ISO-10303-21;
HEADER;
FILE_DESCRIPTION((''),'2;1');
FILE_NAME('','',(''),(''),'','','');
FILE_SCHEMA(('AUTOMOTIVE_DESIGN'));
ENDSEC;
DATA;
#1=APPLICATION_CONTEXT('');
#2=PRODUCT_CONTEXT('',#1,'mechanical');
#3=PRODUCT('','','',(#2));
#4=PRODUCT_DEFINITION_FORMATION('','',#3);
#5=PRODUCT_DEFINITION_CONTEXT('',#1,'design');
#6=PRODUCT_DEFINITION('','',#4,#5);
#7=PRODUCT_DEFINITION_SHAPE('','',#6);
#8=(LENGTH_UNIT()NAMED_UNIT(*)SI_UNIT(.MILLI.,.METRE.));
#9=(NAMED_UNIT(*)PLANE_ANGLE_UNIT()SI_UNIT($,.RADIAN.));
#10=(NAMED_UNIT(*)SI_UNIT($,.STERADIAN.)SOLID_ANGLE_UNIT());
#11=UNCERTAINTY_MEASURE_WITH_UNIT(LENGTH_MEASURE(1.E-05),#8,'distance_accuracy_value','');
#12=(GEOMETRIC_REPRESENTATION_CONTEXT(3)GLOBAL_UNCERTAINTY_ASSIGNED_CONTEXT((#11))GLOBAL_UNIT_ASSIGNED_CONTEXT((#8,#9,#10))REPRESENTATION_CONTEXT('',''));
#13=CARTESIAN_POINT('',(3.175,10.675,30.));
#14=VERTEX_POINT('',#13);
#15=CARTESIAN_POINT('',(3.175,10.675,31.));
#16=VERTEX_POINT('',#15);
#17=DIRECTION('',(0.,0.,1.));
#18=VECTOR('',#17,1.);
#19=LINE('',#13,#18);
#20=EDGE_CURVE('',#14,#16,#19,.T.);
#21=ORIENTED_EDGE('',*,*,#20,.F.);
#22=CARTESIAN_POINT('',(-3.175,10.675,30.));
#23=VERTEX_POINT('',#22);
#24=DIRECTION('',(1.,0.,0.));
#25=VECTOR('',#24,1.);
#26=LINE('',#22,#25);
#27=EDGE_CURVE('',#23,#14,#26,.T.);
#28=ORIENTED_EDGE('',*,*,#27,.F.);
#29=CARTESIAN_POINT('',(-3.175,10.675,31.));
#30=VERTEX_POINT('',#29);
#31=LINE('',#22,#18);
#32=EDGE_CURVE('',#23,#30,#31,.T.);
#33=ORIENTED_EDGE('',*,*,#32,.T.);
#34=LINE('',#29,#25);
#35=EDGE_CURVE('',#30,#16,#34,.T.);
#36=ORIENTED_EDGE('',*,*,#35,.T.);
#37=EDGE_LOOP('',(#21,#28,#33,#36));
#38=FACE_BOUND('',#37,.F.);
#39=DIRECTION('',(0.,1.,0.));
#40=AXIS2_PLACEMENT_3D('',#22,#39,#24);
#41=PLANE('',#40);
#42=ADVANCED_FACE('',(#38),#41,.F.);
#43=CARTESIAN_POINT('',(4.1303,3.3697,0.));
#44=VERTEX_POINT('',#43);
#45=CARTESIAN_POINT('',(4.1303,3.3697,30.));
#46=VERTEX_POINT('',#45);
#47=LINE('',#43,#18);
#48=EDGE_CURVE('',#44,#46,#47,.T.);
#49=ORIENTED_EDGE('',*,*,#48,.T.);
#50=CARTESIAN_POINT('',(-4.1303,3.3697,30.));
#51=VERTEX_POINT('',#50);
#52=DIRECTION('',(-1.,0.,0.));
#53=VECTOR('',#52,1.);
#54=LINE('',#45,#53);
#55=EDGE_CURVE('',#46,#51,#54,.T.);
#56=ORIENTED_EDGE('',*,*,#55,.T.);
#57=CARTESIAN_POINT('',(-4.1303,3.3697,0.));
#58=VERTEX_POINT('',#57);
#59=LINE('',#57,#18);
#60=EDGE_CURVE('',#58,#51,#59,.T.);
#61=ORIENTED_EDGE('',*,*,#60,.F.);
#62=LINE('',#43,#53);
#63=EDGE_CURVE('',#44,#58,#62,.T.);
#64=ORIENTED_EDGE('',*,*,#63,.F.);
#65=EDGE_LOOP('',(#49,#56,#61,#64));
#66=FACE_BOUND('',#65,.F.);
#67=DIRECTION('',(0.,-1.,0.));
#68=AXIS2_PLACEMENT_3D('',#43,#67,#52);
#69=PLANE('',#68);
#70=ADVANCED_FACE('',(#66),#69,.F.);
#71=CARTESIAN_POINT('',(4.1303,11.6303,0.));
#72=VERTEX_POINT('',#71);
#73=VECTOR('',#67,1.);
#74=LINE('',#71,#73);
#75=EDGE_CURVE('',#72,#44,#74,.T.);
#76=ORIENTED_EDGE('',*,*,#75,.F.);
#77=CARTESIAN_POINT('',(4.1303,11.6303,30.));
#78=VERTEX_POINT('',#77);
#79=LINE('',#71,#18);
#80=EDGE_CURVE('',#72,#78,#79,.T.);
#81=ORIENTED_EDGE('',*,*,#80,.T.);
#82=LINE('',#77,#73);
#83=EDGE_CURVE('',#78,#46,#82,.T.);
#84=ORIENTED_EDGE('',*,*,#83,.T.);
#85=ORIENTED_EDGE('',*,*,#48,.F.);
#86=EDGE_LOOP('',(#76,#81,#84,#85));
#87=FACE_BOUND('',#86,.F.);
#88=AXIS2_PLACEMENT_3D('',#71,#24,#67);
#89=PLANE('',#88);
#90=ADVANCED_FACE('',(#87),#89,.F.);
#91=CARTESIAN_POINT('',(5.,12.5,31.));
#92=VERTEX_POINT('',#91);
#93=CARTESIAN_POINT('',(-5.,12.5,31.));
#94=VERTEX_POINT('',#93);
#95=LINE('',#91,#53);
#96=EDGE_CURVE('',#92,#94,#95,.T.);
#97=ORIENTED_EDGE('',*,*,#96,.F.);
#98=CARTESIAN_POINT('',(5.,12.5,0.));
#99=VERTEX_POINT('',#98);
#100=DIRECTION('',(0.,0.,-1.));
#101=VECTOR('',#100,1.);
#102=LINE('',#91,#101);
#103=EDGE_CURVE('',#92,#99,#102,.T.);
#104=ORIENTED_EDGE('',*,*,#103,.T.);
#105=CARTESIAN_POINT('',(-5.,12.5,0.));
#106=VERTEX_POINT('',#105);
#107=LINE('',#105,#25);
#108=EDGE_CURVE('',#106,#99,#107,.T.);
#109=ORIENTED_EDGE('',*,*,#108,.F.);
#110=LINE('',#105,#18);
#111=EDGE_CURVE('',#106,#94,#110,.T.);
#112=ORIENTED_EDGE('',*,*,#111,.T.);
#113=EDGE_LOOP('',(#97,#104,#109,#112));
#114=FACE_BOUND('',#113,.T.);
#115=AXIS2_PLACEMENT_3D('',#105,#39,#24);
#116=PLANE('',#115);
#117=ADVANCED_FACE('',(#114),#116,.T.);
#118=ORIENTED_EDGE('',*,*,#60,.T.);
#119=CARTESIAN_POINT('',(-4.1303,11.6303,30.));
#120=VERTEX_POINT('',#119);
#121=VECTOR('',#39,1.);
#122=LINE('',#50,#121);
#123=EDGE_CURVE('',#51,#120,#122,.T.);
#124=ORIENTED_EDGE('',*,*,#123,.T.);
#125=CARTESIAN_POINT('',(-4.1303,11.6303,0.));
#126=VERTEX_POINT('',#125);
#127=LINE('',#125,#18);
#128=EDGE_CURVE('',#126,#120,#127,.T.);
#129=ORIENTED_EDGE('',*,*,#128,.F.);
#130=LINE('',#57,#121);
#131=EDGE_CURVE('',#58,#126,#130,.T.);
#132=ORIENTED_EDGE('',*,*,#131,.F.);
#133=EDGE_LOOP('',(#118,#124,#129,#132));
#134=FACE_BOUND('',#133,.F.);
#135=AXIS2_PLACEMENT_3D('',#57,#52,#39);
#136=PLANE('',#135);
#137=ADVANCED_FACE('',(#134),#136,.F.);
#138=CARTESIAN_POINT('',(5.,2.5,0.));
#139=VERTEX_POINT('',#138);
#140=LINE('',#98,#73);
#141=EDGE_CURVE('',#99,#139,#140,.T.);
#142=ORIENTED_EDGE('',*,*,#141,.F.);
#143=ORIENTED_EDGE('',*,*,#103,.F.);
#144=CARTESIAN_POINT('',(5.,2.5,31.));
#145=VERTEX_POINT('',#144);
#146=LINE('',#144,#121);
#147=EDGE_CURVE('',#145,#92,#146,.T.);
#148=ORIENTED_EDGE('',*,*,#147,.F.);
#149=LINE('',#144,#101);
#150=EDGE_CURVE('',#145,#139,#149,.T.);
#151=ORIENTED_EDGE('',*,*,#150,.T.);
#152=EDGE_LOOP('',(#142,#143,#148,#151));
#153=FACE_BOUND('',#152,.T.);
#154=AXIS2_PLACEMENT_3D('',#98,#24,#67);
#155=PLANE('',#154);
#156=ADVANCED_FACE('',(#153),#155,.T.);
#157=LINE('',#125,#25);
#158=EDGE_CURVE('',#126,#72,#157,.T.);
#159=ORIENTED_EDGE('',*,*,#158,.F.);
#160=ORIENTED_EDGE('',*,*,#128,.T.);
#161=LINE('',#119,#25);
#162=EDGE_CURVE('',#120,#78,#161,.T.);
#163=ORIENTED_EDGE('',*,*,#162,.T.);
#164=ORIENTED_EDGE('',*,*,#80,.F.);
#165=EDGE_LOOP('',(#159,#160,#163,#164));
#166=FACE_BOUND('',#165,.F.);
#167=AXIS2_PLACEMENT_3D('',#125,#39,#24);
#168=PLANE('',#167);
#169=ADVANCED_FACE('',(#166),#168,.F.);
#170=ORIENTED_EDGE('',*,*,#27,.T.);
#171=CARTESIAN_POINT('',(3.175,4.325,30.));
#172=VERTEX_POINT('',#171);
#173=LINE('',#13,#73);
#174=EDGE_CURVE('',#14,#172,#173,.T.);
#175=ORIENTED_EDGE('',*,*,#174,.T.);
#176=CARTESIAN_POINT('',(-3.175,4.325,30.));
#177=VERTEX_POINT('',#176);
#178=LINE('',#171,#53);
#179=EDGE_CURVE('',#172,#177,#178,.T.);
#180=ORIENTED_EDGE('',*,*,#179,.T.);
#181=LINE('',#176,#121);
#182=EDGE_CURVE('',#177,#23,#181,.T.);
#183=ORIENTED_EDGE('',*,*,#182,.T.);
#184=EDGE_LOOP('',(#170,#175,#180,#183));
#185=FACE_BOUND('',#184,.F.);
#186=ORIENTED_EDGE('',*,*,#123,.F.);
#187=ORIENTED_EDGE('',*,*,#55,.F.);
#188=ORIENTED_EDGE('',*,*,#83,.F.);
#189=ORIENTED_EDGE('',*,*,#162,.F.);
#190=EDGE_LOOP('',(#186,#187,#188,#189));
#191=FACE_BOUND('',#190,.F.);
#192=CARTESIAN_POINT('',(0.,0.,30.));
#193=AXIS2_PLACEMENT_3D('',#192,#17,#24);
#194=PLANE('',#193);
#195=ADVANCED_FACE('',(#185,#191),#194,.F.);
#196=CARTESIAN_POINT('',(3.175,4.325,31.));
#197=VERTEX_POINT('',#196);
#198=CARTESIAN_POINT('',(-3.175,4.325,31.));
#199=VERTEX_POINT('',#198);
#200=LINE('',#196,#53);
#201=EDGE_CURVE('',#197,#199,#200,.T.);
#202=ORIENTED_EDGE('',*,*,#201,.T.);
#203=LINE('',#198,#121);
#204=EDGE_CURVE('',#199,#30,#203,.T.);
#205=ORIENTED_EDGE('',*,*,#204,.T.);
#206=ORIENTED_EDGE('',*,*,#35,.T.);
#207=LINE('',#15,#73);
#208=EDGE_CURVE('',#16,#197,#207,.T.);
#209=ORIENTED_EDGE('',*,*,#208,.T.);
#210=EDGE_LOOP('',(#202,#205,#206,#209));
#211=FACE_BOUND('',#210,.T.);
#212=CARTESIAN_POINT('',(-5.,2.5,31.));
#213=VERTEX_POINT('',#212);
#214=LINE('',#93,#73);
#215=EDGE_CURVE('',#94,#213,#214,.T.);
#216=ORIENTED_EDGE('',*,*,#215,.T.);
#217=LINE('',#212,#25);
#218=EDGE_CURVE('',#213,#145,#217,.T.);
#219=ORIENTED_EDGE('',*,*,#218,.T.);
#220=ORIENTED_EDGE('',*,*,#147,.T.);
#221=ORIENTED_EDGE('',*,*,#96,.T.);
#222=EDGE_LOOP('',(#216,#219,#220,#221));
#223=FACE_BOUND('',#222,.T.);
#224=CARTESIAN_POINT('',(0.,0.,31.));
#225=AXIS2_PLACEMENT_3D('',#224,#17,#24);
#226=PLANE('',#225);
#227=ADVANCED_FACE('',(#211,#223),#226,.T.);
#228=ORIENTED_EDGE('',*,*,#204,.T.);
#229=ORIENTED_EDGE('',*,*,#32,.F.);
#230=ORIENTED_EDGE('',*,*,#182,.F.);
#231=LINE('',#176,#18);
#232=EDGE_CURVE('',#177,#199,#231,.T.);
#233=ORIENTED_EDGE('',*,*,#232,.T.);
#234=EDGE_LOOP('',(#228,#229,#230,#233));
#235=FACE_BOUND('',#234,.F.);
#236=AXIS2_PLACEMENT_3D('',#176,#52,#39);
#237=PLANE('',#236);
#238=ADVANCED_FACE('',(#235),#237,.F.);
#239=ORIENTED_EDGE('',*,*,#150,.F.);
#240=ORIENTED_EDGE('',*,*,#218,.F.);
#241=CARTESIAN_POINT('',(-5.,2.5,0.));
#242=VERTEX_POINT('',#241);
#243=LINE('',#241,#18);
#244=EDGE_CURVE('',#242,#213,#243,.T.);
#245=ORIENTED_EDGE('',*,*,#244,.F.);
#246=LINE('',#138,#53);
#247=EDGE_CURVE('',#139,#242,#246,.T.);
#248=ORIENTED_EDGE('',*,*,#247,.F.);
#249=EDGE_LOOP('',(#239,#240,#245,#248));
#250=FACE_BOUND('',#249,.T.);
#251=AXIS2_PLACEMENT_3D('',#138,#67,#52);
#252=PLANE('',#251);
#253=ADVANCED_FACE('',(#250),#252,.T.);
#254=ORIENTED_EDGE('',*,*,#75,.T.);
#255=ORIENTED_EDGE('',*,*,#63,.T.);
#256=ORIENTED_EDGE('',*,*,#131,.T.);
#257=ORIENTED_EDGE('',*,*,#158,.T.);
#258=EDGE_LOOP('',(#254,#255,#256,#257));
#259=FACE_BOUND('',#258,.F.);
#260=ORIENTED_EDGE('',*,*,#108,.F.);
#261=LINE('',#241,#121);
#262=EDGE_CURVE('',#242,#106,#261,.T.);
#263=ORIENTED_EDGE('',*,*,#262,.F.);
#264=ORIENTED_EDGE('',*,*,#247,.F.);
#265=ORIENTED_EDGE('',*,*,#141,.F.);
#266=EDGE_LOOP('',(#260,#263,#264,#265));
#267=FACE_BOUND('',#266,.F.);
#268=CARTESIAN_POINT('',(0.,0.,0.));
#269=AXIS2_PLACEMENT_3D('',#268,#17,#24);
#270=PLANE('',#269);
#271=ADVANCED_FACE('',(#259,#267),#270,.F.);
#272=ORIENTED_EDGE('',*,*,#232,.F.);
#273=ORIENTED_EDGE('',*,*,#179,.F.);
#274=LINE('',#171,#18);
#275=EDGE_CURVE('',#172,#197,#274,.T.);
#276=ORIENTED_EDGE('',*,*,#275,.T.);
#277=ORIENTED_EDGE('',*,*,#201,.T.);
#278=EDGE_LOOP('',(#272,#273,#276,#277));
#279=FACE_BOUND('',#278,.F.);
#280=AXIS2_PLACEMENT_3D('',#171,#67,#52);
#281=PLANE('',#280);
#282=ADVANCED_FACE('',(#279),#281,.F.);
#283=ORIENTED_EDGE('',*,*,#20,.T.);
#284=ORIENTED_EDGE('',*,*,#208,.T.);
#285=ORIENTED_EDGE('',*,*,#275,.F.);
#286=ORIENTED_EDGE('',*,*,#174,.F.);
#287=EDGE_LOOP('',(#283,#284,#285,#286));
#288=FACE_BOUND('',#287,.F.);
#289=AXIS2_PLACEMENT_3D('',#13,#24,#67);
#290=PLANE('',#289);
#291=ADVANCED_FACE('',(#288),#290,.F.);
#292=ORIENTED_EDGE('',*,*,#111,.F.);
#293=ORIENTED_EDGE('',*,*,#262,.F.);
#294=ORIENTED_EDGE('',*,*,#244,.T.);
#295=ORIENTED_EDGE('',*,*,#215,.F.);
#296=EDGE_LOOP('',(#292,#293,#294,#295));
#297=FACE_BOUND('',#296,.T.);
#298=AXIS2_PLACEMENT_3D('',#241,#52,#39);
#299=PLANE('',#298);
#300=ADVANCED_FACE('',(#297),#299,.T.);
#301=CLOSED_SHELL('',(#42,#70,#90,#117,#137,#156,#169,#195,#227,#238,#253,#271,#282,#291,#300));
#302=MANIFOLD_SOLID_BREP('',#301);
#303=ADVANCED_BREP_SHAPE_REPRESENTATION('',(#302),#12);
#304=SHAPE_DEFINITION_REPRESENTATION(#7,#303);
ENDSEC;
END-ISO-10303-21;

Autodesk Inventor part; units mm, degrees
ref_plane "YZ Plane" through (0, 0, 0) normal (1, 0, 0) x (0, 1, 0)
ref_plane "XZ Plane" through (0, 0, 0) normal (0, 1, 0) x (-1, 0, 0)
ref_plane "XY Plane" through (0, 0, 0) normal (0, 0, 1) x (1, 0, 0)
sketch "Sketch1" plane through (0, 0, 0) normal (0, 0, 1) x (1, 0, 0)
  line L0 (-5, 12.5) -> (5, 12.5) projected
  line L1 (5, 12.5) -> (5, 2.5) projected
  line L2 (5, 2.5) -> (-5, 2.5) projected
  line L3 (-5, 2.5) -> (-5, 12.5) projected
  line L4 (-6.5, 1) -> (-6.5, 14) projected
  line L5 (6.5, 1) -> (-6.5, 1) projected
  line L6 (6.5, 14) -> (6.5, 1) projected
  line L7 (-6.5, 14) -> (6.5, 14) projected
  line L8 (-5, 2.5) -> (5, 2.5)
  line L9 (5, 2.5) -> (5, 12.5)
  line L10 (5, 12.5) -> (-5, 12.5)
  line L11 (-5, 12.5) -> (-5, 2.5)
  line L12 (4.1303, 3.3697) -> (-4.1303, 3.3697)
  line L13 (-4.1303, 3.3697) -> (-4.1303, 11.6303)
  line L14 (-4.1303, 11.6303) -> (4.1303, 11.6303)
  line L15 (4.1303, 11.6303) -> (4.1303, 3.3697)
  line L16 (-4.1303, 3.3697) -> (4.1303, 11.6303) construction
  point P0 (0, 0)
  point P1 (0, 7.5)
extrude "Extrusion1" add sketch "Sketch1" along normal blind 30 contours L0 L1 L2 L3
sketch "Sketch2" plane through (0, 0, 30) normal (0, 0, 1) x (1, 0, 0)
  line L0 (-5, 2.5) -> (5, 2.5) projected
  line L1 (5, 2.5) -> (5, 12.5) projected
  line L2 (5, 12.5) -> (-5, 12.5) projected
  line L3 (-5, 12.5) -> (-5, 2.5) projected
  line L4 (3.175, 4.325) -> (-3.175, 4.325)
  line L5 (-3.175, 4.325) -> (-3.175, 10.675)
  line L6 (-3.175, 10.675) -> (3.175, 10.675)
  line L7 (3.175, 10.675) -> (3.175, 4.325)
  line L8 (-3.175, 4.325) -> (3.175, 10.675) construction
  point P0 (0, 0)
  point P1 (0, 7.5)
extrude "Extrusion2" add sketch "Sketch2" along normal blind 1
properties part number "arm-seg1"
